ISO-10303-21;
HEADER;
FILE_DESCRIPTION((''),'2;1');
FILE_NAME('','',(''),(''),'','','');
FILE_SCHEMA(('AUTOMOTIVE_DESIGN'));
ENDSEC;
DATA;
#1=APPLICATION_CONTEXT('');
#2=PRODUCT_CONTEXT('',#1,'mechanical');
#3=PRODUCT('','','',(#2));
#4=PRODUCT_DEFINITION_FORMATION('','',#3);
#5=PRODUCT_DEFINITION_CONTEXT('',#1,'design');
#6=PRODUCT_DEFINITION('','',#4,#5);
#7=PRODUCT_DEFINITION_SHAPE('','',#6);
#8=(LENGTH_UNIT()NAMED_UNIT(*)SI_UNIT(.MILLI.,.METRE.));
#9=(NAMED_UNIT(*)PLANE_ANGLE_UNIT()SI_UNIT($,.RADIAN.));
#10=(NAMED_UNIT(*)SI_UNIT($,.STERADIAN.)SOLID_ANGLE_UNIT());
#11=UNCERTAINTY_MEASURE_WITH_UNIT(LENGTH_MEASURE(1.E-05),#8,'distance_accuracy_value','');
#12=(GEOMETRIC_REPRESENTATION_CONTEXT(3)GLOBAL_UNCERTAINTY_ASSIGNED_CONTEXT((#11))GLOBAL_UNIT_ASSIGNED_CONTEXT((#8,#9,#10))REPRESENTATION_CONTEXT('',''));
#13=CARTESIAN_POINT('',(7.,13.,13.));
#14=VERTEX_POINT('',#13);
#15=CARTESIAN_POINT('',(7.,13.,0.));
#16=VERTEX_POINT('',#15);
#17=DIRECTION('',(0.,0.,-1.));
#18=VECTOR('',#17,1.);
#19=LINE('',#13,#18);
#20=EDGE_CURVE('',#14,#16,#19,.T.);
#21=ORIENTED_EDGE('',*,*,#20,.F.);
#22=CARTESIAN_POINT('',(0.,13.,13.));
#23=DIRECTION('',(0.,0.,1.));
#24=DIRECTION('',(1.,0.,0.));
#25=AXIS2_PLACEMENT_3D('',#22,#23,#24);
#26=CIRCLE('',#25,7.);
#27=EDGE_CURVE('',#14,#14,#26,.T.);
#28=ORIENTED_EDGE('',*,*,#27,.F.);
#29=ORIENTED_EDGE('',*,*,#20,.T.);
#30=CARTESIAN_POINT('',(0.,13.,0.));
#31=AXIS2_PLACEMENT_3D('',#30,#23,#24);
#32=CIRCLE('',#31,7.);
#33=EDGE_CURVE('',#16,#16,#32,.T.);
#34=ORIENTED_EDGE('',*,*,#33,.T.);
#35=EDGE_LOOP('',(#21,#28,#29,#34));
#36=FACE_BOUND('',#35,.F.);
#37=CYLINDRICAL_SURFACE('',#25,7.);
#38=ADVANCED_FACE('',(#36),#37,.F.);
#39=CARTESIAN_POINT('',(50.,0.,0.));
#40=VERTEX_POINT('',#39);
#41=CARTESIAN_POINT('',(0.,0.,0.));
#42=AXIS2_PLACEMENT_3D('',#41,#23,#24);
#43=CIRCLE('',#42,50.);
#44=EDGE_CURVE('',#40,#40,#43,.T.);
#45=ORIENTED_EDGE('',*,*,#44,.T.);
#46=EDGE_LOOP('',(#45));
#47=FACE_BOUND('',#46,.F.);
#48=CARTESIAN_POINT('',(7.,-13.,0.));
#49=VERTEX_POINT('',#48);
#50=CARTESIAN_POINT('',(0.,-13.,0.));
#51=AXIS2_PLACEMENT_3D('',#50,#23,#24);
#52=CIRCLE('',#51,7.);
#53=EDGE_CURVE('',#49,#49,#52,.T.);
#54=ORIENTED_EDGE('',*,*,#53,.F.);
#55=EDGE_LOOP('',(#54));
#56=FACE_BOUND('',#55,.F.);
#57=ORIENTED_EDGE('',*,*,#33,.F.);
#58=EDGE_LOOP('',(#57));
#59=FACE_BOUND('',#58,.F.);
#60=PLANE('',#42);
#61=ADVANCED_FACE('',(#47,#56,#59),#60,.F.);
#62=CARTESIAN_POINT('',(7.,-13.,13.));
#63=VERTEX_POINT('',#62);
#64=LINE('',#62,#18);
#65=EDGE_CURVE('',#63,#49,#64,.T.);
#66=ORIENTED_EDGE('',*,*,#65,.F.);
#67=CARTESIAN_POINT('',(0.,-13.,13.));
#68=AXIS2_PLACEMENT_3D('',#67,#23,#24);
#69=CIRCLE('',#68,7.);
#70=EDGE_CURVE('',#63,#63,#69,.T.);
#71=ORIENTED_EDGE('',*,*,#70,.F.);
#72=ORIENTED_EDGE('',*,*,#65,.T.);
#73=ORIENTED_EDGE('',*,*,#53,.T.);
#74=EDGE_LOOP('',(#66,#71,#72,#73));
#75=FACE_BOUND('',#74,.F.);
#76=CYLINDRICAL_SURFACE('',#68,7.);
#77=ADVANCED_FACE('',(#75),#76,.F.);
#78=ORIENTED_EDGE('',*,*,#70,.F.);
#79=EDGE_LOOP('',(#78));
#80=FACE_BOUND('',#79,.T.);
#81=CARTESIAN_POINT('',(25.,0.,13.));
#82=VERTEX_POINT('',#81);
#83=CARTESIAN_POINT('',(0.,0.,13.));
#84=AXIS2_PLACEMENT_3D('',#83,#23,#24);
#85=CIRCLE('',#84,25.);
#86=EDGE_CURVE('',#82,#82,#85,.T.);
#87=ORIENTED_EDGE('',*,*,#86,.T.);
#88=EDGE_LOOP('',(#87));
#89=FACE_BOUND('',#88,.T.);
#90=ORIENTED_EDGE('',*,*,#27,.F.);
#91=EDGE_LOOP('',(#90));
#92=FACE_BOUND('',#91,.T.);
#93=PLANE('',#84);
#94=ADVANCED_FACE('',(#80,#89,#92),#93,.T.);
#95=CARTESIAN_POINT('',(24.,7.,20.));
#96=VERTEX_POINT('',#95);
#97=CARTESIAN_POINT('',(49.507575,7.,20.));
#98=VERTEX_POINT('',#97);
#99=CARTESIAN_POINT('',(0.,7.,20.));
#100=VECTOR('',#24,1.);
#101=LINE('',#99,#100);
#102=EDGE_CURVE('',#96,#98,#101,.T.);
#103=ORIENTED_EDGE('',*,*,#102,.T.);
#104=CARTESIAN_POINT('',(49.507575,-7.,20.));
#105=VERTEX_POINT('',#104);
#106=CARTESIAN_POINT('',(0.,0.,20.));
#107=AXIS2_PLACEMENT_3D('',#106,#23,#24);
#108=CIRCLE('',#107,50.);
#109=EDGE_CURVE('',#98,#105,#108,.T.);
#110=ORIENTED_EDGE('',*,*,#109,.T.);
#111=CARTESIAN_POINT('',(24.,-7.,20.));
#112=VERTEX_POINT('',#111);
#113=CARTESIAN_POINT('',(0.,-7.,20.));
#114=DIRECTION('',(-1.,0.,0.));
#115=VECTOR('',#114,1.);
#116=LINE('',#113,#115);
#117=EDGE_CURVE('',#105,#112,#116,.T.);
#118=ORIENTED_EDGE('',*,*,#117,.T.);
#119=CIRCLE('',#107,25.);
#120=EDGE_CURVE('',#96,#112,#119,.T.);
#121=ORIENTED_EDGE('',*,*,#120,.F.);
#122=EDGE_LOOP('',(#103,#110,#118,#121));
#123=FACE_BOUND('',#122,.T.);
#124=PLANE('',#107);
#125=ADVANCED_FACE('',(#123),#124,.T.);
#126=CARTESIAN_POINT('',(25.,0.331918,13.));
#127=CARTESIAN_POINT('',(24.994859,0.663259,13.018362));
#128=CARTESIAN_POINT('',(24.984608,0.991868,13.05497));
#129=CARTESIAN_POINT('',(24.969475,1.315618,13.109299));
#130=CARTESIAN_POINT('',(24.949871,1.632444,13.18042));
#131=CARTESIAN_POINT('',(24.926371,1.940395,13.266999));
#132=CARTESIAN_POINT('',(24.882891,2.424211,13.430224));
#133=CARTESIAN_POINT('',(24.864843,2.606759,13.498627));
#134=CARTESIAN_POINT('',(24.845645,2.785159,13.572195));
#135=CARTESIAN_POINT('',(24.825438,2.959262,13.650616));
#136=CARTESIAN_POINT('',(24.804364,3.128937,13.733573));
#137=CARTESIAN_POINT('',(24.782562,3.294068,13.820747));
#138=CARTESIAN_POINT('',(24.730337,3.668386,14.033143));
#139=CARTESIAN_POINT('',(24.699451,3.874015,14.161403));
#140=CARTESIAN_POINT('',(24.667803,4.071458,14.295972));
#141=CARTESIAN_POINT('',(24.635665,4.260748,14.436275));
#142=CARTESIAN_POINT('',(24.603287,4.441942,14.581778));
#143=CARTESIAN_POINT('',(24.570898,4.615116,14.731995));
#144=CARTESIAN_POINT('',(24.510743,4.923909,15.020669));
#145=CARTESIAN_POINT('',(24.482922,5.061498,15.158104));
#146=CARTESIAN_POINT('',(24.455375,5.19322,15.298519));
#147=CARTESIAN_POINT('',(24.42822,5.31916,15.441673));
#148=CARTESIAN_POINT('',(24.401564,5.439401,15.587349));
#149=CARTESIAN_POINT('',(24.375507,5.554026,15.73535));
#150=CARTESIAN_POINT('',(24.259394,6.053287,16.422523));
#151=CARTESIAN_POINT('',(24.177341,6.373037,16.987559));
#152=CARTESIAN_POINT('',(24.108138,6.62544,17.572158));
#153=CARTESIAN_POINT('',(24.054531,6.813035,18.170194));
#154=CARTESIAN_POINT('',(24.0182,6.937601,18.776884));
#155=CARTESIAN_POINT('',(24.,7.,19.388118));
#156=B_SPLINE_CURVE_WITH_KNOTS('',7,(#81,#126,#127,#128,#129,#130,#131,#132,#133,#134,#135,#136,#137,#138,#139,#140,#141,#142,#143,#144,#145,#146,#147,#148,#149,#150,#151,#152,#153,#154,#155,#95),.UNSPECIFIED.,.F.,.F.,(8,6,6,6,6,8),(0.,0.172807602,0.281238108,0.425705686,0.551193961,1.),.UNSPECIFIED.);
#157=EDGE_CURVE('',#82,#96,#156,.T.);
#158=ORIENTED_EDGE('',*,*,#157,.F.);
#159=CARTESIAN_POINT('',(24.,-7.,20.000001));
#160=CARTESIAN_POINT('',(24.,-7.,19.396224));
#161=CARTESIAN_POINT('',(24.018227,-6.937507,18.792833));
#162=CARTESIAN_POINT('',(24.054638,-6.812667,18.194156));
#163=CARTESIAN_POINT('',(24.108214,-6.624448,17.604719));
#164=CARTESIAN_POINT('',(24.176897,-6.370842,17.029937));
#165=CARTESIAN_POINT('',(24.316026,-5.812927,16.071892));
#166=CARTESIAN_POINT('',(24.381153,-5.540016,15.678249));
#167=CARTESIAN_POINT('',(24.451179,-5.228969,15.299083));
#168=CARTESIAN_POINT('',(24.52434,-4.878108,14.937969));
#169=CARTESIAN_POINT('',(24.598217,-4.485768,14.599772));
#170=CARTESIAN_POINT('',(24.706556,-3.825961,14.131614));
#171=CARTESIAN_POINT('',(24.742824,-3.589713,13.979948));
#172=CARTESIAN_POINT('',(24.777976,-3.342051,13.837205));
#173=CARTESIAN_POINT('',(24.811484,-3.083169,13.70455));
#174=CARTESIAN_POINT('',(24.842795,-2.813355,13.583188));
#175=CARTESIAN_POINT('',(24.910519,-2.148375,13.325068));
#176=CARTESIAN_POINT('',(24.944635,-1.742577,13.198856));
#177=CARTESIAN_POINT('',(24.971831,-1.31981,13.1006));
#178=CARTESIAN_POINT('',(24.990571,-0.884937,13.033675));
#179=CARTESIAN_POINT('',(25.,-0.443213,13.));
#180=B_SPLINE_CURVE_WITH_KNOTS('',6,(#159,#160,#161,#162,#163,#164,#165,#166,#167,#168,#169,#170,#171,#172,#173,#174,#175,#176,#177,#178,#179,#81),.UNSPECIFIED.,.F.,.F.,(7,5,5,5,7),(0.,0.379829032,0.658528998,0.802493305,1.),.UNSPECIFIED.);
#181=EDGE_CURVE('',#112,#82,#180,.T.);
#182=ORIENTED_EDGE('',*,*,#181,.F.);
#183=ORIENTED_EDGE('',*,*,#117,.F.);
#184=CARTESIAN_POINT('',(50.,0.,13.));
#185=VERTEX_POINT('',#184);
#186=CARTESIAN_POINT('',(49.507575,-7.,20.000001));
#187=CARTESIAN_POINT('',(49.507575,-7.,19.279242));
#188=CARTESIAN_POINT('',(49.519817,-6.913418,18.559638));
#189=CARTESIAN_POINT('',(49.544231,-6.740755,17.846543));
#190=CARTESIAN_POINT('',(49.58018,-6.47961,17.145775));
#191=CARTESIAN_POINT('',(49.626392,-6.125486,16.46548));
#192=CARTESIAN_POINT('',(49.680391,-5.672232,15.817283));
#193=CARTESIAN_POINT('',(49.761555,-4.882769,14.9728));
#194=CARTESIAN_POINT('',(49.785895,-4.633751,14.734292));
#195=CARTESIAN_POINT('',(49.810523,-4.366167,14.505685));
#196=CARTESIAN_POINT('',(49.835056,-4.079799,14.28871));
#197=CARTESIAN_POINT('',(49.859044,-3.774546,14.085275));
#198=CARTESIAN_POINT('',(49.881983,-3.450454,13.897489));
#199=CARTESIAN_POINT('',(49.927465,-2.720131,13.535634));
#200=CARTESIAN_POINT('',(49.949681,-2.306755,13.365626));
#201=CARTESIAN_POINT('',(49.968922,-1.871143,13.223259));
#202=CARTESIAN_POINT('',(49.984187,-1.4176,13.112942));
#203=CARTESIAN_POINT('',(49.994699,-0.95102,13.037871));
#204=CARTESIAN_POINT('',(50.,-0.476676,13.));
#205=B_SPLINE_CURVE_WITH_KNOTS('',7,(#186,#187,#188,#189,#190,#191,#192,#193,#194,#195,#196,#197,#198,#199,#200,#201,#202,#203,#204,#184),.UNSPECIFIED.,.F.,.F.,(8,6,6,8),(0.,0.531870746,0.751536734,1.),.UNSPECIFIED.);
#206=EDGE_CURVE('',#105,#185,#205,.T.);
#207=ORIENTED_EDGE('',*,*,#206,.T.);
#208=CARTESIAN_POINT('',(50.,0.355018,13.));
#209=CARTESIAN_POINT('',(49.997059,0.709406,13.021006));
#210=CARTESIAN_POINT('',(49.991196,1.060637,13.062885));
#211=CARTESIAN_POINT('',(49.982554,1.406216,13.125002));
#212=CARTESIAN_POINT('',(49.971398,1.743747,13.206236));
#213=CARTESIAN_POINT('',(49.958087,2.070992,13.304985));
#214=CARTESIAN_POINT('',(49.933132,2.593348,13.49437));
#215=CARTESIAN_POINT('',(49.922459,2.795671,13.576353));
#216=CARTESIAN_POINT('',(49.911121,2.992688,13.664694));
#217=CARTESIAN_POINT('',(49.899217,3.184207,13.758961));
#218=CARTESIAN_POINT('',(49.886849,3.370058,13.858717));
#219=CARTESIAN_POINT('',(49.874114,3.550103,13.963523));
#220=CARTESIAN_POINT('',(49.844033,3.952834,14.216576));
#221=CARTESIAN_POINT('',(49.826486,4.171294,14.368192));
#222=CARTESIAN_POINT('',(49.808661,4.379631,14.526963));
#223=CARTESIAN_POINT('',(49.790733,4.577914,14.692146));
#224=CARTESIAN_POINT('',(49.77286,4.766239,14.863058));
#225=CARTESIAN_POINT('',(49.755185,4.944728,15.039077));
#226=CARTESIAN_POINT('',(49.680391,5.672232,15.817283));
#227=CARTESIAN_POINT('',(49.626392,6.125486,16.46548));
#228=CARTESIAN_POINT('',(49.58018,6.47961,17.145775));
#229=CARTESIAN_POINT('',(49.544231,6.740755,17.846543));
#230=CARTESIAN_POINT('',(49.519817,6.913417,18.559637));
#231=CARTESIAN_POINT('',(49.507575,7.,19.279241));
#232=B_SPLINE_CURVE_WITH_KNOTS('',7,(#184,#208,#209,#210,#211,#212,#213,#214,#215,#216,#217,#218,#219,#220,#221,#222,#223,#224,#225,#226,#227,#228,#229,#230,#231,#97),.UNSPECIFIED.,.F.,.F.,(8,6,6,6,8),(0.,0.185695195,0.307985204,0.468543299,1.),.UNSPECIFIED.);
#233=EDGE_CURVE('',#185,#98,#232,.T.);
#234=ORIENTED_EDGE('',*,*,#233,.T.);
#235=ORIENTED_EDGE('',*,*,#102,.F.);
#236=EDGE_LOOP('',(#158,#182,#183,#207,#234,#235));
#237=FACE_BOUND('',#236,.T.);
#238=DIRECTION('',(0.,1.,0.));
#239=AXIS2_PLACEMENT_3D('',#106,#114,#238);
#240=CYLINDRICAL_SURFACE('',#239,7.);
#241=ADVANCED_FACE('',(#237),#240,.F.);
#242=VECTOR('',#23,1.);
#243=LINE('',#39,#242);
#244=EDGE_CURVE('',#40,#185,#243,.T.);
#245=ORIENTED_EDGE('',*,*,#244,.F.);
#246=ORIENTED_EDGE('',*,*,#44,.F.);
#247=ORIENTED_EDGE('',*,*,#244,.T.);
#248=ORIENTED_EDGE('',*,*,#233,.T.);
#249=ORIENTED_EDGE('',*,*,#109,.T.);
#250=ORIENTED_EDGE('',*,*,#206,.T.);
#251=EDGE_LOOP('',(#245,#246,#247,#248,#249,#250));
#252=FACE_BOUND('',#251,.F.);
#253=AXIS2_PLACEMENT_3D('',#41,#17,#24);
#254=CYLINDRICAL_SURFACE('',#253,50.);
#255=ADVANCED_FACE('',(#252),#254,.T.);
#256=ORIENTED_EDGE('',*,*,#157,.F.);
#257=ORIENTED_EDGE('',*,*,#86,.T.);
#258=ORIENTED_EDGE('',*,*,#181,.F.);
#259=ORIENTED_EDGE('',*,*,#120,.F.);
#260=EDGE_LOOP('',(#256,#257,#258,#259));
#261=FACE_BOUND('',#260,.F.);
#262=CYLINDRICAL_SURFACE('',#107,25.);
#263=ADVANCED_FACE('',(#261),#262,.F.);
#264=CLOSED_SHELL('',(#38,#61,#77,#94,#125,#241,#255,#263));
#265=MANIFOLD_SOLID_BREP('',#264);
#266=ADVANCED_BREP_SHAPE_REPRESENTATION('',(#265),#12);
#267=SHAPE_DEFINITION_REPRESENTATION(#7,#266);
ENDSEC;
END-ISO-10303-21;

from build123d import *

# Parameters (mm, degrees)
F0_R     = 50
F1_DEPTH = 20
F2_R     = 25
F3_DEPTH = 7
F4_R     = 7
F5_DEPTH = 50.001
F6_R     = 7
F7_DEPTH = 20


with BuildPart() as f1:
    # F0 (on Top) → F1 (new body)
    with BuildSketch(Plane.XY):
        Circle(F0_R)
    extrude(amount=F1_DEPTH)

    # F2 (on face) → F3 (cut)
    with BuildSketch(Plane.XY.offset(20)):
        Circle(F2_R)
    extrude(amount=-F3_DEPTH, mode=Mode.SUBTRACT)

    # F4 (on Right) → F5 (cut, through all)
    with BuildSketch(Plane.YZ):
        with Locations((0, 20)):
            Circle(F4_R)
    extrude(amount=F5_DEPTH, mode=Mode.SUBTRACT)

    # F6 (on face) → F7 (cut)
    with BuildSketch(Plane.XY.offset(13)):
        with Locations((0, 13)):
            Circle(F6_R)
        with Locations((0, -13)):
            Circle(F6_R)
    extrude(amount=-F7_DEPTH, mode=Mode.SUBTRACT)


solid = f1.part
